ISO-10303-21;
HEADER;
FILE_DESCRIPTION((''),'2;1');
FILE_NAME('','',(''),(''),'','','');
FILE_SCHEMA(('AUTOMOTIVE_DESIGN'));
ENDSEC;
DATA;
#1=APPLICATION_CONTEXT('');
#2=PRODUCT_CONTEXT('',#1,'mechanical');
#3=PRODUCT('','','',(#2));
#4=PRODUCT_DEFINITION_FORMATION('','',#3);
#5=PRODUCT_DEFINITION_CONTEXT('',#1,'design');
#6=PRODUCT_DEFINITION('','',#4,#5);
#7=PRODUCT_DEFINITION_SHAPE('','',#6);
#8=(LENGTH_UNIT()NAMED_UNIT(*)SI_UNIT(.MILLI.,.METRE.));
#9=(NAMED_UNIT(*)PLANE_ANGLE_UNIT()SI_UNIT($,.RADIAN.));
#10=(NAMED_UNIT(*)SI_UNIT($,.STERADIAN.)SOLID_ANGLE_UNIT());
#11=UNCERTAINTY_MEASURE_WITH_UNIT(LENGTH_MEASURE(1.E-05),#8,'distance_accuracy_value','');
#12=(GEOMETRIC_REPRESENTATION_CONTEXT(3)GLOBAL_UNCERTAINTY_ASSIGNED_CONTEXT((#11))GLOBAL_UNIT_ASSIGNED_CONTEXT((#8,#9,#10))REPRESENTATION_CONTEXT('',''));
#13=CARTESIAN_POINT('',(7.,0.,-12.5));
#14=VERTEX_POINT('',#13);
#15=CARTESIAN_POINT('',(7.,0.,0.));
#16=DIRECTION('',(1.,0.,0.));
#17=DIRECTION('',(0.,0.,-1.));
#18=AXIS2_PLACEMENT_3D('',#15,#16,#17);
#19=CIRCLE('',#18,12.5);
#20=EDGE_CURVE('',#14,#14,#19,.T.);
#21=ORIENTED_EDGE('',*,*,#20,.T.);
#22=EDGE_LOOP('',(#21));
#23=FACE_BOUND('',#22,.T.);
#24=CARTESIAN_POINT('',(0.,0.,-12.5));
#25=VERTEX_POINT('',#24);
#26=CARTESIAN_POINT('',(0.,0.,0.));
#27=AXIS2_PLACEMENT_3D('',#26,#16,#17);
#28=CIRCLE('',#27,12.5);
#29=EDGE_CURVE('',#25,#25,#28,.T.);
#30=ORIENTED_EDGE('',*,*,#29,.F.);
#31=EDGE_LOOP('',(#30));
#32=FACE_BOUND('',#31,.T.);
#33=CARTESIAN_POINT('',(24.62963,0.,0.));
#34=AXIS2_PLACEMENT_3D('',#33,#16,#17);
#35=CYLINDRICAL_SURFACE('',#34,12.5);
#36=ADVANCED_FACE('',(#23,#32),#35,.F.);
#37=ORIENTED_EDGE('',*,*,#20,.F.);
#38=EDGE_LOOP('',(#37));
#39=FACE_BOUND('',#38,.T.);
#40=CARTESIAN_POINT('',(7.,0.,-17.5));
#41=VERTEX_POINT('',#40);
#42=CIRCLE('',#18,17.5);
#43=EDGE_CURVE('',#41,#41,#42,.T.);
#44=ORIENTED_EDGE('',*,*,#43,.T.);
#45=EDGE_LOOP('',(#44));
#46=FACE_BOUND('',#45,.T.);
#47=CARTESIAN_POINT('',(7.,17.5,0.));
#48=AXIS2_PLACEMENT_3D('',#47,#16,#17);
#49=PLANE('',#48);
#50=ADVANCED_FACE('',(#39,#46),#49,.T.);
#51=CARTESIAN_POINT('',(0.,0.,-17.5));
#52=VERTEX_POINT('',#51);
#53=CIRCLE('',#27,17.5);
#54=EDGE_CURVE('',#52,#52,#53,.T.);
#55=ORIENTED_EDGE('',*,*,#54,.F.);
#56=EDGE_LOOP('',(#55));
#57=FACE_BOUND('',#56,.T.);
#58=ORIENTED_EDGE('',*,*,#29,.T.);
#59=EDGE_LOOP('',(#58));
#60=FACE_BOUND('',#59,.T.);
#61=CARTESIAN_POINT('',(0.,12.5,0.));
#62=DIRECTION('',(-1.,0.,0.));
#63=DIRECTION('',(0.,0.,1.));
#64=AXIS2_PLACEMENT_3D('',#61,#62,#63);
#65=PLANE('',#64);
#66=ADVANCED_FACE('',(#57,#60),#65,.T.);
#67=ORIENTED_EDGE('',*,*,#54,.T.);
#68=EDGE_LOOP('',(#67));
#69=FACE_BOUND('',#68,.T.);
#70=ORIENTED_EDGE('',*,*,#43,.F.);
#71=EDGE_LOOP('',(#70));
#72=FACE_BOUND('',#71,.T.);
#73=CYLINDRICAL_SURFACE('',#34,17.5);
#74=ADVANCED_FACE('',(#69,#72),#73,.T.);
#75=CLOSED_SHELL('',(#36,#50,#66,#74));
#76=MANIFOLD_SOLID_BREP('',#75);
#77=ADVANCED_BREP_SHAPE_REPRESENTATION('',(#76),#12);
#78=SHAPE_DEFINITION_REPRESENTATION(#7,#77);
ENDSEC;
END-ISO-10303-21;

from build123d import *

# Parameters (mm, degrees)
SKETCH_1_W = 7
SKETCH_1_H = 5


with BuildPart() as part:
    # 草图1 → 旋转1 (revolve)
    with BuildSketch(Plane.XY, mode=Mode.PRIVATE) as revolve_1_sk:
        with Locations((3.5, 15)):
            Rectangle(SKETCH_1_W, SKETCH_1_H)
    revolve(revolve_1_sk.sketch.rotate(Axis((24.62962963, 0, 0), (-1, 0, 0)), 90), axis=Axis((24.62962963, 0, 0), (-1, 0, 0)))


solid = part.part
